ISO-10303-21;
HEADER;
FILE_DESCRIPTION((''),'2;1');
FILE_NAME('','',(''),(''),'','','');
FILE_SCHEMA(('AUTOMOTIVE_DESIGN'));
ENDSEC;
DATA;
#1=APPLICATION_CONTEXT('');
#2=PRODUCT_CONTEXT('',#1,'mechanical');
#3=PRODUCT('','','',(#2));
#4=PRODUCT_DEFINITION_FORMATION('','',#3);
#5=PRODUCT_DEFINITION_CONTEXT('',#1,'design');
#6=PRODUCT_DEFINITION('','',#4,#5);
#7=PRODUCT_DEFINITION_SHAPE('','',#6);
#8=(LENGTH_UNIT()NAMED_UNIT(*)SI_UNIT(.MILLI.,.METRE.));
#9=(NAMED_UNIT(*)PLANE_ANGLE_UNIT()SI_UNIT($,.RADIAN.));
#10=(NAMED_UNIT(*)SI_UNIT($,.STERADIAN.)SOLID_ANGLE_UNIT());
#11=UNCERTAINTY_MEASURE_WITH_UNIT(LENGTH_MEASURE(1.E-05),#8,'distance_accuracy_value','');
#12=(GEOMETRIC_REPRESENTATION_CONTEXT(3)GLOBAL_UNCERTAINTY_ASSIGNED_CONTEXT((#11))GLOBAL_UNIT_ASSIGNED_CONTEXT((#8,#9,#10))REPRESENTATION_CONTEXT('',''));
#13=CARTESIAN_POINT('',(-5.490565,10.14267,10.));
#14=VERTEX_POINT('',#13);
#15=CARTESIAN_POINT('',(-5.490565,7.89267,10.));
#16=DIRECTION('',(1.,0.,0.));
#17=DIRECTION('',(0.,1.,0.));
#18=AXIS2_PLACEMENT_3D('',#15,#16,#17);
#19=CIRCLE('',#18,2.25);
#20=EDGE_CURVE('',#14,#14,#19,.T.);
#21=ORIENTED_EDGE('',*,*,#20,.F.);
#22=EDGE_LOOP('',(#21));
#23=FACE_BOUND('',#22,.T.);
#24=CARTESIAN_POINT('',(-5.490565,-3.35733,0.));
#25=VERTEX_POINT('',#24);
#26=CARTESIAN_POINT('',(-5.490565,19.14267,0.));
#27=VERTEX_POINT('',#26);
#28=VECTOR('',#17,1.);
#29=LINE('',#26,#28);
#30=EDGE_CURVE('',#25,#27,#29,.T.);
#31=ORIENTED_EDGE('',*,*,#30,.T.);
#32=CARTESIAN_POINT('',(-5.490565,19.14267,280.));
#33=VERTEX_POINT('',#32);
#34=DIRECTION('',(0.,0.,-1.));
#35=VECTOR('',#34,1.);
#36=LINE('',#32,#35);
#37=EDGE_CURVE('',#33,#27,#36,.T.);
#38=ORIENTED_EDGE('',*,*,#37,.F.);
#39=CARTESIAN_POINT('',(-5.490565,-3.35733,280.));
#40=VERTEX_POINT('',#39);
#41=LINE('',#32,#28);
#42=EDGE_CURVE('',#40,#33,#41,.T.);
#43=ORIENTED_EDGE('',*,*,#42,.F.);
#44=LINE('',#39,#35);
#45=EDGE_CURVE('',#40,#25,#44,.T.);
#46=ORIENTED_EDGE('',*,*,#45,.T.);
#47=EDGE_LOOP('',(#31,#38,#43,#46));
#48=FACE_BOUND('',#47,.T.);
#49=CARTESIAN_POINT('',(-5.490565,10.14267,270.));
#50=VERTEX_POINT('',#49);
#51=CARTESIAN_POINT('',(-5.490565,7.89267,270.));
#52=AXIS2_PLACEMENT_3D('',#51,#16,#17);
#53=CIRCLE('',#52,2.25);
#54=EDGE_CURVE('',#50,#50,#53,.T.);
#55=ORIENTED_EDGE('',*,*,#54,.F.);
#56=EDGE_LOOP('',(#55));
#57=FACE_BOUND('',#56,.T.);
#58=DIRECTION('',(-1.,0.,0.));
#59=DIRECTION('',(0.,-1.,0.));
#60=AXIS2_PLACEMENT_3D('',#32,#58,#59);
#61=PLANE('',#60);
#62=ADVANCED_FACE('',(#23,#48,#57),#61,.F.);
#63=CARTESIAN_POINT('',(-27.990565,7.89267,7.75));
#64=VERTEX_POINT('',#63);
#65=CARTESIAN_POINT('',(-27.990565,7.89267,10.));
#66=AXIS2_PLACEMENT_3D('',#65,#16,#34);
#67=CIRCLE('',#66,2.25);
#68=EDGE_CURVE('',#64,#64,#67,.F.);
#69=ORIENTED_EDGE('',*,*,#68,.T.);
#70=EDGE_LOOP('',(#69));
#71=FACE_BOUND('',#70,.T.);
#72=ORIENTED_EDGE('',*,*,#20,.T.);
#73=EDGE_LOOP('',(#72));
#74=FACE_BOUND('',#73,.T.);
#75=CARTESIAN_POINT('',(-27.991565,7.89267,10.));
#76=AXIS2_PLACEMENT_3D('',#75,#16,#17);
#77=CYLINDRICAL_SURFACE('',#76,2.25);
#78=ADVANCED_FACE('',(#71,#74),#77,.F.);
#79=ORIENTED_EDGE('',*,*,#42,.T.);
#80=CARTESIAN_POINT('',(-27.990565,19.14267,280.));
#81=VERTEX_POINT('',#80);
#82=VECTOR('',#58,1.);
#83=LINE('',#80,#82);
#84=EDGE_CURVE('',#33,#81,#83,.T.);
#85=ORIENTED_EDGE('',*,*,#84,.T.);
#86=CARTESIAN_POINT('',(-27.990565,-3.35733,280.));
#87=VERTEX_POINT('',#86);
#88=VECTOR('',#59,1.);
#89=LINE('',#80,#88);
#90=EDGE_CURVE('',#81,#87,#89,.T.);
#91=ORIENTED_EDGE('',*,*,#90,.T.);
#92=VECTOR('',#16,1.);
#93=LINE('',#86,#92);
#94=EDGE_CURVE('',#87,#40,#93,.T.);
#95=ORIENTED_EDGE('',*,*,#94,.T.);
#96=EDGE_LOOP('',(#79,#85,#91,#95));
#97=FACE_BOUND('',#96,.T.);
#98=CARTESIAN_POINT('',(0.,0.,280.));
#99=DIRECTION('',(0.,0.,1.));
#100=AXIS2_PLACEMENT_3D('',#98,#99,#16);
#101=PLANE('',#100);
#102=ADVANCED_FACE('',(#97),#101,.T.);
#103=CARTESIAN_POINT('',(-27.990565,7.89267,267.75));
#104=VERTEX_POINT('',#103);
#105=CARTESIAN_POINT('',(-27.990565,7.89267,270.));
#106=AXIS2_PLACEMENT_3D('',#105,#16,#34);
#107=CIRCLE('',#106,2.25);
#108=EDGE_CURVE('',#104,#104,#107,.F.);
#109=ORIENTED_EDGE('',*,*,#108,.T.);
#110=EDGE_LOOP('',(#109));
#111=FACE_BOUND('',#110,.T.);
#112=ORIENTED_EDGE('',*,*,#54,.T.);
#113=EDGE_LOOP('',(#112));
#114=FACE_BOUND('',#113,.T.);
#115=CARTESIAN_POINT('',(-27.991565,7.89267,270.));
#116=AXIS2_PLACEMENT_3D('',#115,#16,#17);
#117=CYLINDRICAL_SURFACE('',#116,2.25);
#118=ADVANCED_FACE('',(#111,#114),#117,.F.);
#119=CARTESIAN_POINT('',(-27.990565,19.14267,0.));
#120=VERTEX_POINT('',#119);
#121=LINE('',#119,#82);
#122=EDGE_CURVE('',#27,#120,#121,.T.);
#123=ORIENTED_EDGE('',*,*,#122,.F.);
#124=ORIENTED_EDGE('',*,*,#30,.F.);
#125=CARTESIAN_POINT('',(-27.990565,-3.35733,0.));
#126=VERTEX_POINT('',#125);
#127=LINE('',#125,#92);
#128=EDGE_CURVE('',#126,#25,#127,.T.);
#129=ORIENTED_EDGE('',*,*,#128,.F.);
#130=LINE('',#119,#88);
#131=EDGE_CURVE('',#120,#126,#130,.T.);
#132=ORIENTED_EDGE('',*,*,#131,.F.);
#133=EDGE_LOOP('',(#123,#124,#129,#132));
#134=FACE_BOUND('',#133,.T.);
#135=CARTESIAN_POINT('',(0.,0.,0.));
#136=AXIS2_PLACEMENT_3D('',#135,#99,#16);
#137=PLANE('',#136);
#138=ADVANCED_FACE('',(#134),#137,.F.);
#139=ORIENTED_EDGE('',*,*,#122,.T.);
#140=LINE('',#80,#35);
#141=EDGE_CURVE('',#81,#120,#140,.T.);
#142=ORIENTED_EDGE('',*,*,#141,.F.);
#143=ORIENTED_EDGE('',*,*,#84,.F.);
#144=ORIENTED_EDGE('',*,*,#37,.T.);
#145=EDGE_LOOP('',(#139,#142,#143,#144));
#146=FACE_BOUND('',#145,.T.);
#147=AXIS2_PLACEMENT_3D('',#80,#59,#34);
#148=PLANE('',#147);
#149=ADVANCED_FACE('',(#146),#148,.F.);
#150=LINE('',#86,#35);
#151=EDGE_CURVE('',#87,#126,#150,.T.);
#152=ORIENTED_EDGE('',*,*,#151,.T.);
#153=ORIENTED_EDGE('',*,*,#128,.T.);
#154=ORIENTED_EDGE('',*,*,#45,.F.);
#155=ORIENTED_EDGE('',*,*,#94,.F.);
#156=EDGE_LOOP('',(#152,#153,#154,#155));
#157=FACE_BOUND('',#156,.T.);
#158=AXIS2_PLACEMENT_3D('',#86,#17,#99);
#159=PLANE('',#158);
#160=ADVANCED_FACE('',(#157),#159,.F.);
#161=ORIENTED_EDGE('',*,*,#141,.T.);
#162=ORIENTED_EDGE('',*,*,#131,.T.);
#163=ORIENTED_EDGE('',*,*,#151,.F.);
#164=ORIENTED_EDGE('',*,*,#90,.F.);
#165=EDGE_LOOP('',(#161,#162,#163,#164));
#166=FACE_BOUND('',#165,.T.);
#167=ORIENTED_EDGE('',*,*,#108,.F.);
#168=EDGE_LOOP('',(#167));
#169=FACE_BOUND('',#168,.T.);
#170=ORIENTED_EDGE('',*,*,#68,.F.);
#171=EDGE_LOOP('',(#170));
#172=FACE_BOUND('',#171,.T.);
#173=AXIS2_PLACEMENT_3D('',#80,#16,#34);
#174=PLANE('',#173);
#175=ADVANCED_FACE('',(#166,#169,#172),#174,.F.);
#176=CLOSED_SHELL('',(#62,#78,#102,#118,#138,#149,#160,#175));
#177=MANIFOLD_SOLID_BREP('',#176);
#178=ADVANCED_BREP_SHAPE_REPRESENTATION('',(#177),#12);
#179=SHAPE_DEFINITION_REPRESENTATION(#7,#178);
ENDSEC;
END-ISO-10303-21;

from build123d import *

# Parameters (mm, degrees)
ESQUISSE1_W             = 22.5
ESQUISSE1_H             = 22.5
BOSS_EXTRU_1_DEPTH      = 280
ENL_V_MAT_EXTRU_1_REACH = 24.5
ESQUISSE2_R             = 2.25


with BuildPart() as part:
    # Esquisse1 → Boss.-Extru.1 (new body)
    with BuildSketch(Plane.XY):
        with Locations((-16.740565009, 7.892670157)):
            Rectangle(ESQUISSE1_W, ESQUISSE1_H)
    extrude(amount=BOSS_EXTRU_1_DEPTH)

    # Esquisse2 → Enlèv. mat.-Extru.1 (cut, up to next)
    with BuildSketch(Plane(origin=(-5.490565009, 0, 0), x_dir=(0, 0, -1), z_dir=(1, 0, 0)), mode=Mode.PRIVATE) as enl_v_mat_extru_1_sk1:
        with Locations((-270, 7.892670157)):
            Circle(ESQUISSE2_R)
    enl_v_mat_extru_1_tool1 = extrude(enl_v_mat_extru_1_sk1.sketch, amount=-ENL_V_MAT_EXTRU_1_REACH, mode=Mode.PRIVATE) & part.part
    add(enl_v_mat_extru_1_tool1.solids().sort_by_distance((-5.490565, 7.89267, 270))[0], mode=Mode.SUBTRACT)
    # Esquisse2 → Enlèv. mat.-Extru.1 (cut, up to next)
    with BuildSketch(Plane(origin=(-5.490565009, 0, 0), x_dir=(0, 0, -1), z_dir=(1, 0, 0)), mode=Mode.PRIVATE) as enl_v_mat_extru_1_sk2:
        with Locations((-10, 7.892670157)):
            Circle(ESQUISSE2_R)
    enl_v_mat_extru_1_tool2 = extrude(enl_v_mat_extru_1_sk2.sketch, amount=-ENL_V_MAT_EXTRU_1_REACH, mode=Mode.PRIVATE) & part.part
    add(enl_v_mat_extru_1_tool2.solids().sort_by_distance((-5.490565, 7.89267, 10))[0], mode=Mode.SUBTRACT)


solid = part.part
